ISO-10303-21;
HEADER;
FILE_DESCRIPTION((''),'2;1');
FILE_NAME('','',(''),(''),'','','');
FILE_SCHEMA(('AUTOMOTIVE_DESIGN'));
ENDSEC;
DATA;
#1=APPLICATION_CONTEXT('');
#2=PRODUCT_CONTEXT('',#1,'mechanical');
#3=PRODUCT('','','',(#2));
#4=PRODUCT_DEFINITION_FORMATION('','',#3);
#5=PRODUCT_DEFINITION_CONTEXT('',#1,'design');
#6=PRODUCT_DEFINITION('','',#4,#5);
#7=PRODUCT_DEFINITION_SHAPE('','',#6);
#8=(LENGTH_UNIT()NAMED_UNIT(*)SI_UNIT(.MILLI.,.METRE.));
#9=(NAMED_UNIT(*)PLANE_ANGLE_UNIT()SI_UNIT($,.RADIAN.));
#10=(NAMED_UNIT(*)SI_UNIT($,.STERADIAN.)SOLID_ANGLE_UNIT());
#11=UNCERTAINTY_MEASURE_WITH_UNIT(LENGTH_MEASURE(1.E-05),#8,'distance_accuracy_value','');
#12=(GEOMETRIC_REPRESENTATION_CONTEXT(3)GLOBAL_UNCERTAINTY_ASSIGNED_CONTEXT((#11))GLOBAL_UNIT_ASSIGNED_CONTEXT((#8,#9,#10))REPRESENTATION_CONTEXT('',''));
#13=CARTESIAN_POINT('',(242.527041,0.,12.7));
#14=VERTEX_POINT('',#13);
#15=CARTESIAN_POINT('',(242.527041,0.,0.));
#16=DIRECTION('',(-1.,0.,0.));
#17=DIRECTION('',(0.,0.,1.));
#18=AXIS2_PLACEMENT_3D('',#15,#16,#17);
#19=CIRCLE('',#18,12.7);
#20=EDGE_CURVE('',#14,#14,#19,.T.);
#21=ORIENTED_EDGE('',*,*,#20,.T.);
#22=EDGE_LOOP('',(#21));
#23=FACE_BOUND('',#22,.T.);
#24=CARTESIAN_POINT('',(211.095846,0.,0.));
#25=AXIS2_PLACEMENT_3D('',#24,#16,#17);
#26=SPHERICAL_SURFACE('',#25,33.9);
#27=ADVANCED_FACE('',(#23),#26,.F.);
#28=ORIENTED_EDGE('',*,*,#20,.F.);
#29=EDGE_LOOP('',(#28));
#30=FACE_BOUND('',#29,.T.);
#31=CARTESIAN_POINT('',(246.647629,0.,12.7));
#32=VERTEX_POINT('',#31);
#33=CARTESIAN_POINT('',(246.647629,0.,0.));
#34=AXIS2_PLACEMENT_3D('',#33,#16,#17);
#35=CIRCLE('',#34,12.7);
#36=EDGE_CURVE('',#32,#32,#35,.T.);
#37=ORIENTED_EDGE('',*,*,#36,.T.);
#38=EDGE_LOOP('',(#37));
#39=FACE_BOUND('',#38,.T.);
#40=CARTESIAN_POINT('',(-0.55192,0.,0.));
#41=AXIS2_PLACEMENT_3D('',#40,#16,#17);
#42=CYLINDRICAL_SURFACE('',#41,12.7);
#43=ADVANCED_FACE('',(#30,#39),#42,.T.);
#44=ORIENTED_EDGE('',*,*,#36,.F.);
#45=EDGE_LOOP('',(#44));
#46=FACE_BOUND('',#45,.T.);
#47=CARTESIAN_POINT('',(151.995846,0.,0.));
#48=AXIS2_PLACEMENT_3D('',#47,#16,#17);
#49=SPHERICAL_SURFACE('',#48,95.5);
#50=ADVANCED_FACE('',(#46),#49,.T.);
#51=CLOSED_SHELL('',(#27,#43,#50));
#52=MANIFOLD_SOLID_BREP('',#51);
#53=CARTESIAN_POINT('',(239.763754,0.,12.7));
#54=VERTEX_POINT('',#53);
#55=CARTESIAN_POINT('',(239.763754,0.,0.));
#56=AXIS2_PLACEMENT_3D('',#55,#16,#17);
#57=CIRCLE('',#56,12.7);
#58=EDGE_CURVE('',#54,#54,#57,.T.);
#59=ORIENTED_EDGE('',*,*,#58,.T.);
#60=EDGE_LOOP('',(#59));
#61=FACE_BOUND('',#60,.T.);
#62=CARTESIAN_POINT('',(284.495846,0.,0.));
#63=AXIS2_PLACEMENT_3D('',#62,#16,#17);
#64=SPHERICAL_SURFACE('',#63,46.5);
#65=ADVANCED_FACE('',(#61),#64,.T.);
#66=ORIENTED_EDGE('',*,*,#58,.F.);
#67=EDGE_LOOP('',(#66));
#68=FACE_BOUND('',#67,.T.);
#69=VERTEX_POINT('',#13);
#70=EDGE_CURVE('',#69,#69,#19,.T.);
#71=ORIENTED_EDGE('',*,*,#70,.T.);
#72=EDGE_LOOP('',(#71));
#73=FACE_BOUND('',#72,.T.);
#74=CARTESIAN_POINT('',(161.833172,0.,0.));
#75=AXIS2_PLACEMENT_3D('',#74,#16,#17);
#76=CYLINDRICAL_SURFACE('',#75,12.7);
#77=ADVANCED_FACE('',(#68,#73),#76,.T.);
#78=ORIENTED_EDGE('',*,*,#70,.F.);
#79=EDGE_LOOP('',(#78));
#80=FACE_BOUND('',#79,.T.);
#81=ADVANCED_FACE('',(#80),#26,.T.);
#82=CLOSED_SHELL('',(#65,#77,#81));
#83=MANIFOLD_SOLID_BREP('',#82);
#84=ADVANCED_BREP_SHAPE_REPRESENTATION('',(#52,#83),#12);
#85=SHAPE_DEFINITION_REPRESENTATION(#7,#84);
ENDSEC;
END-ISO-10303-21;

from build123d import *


with BuildPart() as part:
    # 草图1 one side → 旋转1 (revolve)
    with BuildSketch(Plane(origin=(0, 0, 0), x_dir=(1, 0, 0), z_dir=(0, 1, 0)), mode=Mode.PRIVATE) as revolve_1_sk:
        with BuildLine():
            ThreePointArc((239.76375442, 12.7), (238.439943637, 6.411230398), (237.995845808, 0))
            Line((237.995845808, 0), (244.995845808, 0))
            ThreePointArc((244.995845808, 0), (244.372921252, 6.468867745), (242.527040504, 12.7))
            Line((242.527040504, 12.7), (239.76375442, 12.7))
        make_face()
    revolve(revolve_1_sk.sketch.rotate(Axis((161.833171693, 0, 0), (1, 0, 0)), 180), axis=Axis((161.833171693, 0, 0), (1, 0, 0)))  # turned: the seam where the file's is


with BuildPart() as body_2:
    # 草图2 one side → 旋转3 (revolve)
    with BuildSketch(Plane(origin=(0, 0, 0), x_dir=(1, 0, 0), z_dir=(0, 1, 0)), mode=Mode.PRIVATE) as revolve_3_sk:
        with BuildLine():
            Line((246.647628676, 12.7), (242.527040504, 12.7))
            ThreePointArc((242.527040504, 12.7), (244.372921252, 6.468867745), (244.995845808, 0))
            Line((244.995845808, 0), (247.495845808, 0))
            ThreePointArc((247.495845808, 0), (247.283555572, 6.364147082), (246.647628676, 12.7))
        make_face()
    revolve(revolve_3_sk.sketch.rotate(Axis((-0.551919993, 0, 0), (1, 0, 0)), 180), axis=Axis((-0.551919993, 0, 0), (1, 0, 0)))  # turned: the seam where the file's is


solid = Compound([part.part, body_2.part])
